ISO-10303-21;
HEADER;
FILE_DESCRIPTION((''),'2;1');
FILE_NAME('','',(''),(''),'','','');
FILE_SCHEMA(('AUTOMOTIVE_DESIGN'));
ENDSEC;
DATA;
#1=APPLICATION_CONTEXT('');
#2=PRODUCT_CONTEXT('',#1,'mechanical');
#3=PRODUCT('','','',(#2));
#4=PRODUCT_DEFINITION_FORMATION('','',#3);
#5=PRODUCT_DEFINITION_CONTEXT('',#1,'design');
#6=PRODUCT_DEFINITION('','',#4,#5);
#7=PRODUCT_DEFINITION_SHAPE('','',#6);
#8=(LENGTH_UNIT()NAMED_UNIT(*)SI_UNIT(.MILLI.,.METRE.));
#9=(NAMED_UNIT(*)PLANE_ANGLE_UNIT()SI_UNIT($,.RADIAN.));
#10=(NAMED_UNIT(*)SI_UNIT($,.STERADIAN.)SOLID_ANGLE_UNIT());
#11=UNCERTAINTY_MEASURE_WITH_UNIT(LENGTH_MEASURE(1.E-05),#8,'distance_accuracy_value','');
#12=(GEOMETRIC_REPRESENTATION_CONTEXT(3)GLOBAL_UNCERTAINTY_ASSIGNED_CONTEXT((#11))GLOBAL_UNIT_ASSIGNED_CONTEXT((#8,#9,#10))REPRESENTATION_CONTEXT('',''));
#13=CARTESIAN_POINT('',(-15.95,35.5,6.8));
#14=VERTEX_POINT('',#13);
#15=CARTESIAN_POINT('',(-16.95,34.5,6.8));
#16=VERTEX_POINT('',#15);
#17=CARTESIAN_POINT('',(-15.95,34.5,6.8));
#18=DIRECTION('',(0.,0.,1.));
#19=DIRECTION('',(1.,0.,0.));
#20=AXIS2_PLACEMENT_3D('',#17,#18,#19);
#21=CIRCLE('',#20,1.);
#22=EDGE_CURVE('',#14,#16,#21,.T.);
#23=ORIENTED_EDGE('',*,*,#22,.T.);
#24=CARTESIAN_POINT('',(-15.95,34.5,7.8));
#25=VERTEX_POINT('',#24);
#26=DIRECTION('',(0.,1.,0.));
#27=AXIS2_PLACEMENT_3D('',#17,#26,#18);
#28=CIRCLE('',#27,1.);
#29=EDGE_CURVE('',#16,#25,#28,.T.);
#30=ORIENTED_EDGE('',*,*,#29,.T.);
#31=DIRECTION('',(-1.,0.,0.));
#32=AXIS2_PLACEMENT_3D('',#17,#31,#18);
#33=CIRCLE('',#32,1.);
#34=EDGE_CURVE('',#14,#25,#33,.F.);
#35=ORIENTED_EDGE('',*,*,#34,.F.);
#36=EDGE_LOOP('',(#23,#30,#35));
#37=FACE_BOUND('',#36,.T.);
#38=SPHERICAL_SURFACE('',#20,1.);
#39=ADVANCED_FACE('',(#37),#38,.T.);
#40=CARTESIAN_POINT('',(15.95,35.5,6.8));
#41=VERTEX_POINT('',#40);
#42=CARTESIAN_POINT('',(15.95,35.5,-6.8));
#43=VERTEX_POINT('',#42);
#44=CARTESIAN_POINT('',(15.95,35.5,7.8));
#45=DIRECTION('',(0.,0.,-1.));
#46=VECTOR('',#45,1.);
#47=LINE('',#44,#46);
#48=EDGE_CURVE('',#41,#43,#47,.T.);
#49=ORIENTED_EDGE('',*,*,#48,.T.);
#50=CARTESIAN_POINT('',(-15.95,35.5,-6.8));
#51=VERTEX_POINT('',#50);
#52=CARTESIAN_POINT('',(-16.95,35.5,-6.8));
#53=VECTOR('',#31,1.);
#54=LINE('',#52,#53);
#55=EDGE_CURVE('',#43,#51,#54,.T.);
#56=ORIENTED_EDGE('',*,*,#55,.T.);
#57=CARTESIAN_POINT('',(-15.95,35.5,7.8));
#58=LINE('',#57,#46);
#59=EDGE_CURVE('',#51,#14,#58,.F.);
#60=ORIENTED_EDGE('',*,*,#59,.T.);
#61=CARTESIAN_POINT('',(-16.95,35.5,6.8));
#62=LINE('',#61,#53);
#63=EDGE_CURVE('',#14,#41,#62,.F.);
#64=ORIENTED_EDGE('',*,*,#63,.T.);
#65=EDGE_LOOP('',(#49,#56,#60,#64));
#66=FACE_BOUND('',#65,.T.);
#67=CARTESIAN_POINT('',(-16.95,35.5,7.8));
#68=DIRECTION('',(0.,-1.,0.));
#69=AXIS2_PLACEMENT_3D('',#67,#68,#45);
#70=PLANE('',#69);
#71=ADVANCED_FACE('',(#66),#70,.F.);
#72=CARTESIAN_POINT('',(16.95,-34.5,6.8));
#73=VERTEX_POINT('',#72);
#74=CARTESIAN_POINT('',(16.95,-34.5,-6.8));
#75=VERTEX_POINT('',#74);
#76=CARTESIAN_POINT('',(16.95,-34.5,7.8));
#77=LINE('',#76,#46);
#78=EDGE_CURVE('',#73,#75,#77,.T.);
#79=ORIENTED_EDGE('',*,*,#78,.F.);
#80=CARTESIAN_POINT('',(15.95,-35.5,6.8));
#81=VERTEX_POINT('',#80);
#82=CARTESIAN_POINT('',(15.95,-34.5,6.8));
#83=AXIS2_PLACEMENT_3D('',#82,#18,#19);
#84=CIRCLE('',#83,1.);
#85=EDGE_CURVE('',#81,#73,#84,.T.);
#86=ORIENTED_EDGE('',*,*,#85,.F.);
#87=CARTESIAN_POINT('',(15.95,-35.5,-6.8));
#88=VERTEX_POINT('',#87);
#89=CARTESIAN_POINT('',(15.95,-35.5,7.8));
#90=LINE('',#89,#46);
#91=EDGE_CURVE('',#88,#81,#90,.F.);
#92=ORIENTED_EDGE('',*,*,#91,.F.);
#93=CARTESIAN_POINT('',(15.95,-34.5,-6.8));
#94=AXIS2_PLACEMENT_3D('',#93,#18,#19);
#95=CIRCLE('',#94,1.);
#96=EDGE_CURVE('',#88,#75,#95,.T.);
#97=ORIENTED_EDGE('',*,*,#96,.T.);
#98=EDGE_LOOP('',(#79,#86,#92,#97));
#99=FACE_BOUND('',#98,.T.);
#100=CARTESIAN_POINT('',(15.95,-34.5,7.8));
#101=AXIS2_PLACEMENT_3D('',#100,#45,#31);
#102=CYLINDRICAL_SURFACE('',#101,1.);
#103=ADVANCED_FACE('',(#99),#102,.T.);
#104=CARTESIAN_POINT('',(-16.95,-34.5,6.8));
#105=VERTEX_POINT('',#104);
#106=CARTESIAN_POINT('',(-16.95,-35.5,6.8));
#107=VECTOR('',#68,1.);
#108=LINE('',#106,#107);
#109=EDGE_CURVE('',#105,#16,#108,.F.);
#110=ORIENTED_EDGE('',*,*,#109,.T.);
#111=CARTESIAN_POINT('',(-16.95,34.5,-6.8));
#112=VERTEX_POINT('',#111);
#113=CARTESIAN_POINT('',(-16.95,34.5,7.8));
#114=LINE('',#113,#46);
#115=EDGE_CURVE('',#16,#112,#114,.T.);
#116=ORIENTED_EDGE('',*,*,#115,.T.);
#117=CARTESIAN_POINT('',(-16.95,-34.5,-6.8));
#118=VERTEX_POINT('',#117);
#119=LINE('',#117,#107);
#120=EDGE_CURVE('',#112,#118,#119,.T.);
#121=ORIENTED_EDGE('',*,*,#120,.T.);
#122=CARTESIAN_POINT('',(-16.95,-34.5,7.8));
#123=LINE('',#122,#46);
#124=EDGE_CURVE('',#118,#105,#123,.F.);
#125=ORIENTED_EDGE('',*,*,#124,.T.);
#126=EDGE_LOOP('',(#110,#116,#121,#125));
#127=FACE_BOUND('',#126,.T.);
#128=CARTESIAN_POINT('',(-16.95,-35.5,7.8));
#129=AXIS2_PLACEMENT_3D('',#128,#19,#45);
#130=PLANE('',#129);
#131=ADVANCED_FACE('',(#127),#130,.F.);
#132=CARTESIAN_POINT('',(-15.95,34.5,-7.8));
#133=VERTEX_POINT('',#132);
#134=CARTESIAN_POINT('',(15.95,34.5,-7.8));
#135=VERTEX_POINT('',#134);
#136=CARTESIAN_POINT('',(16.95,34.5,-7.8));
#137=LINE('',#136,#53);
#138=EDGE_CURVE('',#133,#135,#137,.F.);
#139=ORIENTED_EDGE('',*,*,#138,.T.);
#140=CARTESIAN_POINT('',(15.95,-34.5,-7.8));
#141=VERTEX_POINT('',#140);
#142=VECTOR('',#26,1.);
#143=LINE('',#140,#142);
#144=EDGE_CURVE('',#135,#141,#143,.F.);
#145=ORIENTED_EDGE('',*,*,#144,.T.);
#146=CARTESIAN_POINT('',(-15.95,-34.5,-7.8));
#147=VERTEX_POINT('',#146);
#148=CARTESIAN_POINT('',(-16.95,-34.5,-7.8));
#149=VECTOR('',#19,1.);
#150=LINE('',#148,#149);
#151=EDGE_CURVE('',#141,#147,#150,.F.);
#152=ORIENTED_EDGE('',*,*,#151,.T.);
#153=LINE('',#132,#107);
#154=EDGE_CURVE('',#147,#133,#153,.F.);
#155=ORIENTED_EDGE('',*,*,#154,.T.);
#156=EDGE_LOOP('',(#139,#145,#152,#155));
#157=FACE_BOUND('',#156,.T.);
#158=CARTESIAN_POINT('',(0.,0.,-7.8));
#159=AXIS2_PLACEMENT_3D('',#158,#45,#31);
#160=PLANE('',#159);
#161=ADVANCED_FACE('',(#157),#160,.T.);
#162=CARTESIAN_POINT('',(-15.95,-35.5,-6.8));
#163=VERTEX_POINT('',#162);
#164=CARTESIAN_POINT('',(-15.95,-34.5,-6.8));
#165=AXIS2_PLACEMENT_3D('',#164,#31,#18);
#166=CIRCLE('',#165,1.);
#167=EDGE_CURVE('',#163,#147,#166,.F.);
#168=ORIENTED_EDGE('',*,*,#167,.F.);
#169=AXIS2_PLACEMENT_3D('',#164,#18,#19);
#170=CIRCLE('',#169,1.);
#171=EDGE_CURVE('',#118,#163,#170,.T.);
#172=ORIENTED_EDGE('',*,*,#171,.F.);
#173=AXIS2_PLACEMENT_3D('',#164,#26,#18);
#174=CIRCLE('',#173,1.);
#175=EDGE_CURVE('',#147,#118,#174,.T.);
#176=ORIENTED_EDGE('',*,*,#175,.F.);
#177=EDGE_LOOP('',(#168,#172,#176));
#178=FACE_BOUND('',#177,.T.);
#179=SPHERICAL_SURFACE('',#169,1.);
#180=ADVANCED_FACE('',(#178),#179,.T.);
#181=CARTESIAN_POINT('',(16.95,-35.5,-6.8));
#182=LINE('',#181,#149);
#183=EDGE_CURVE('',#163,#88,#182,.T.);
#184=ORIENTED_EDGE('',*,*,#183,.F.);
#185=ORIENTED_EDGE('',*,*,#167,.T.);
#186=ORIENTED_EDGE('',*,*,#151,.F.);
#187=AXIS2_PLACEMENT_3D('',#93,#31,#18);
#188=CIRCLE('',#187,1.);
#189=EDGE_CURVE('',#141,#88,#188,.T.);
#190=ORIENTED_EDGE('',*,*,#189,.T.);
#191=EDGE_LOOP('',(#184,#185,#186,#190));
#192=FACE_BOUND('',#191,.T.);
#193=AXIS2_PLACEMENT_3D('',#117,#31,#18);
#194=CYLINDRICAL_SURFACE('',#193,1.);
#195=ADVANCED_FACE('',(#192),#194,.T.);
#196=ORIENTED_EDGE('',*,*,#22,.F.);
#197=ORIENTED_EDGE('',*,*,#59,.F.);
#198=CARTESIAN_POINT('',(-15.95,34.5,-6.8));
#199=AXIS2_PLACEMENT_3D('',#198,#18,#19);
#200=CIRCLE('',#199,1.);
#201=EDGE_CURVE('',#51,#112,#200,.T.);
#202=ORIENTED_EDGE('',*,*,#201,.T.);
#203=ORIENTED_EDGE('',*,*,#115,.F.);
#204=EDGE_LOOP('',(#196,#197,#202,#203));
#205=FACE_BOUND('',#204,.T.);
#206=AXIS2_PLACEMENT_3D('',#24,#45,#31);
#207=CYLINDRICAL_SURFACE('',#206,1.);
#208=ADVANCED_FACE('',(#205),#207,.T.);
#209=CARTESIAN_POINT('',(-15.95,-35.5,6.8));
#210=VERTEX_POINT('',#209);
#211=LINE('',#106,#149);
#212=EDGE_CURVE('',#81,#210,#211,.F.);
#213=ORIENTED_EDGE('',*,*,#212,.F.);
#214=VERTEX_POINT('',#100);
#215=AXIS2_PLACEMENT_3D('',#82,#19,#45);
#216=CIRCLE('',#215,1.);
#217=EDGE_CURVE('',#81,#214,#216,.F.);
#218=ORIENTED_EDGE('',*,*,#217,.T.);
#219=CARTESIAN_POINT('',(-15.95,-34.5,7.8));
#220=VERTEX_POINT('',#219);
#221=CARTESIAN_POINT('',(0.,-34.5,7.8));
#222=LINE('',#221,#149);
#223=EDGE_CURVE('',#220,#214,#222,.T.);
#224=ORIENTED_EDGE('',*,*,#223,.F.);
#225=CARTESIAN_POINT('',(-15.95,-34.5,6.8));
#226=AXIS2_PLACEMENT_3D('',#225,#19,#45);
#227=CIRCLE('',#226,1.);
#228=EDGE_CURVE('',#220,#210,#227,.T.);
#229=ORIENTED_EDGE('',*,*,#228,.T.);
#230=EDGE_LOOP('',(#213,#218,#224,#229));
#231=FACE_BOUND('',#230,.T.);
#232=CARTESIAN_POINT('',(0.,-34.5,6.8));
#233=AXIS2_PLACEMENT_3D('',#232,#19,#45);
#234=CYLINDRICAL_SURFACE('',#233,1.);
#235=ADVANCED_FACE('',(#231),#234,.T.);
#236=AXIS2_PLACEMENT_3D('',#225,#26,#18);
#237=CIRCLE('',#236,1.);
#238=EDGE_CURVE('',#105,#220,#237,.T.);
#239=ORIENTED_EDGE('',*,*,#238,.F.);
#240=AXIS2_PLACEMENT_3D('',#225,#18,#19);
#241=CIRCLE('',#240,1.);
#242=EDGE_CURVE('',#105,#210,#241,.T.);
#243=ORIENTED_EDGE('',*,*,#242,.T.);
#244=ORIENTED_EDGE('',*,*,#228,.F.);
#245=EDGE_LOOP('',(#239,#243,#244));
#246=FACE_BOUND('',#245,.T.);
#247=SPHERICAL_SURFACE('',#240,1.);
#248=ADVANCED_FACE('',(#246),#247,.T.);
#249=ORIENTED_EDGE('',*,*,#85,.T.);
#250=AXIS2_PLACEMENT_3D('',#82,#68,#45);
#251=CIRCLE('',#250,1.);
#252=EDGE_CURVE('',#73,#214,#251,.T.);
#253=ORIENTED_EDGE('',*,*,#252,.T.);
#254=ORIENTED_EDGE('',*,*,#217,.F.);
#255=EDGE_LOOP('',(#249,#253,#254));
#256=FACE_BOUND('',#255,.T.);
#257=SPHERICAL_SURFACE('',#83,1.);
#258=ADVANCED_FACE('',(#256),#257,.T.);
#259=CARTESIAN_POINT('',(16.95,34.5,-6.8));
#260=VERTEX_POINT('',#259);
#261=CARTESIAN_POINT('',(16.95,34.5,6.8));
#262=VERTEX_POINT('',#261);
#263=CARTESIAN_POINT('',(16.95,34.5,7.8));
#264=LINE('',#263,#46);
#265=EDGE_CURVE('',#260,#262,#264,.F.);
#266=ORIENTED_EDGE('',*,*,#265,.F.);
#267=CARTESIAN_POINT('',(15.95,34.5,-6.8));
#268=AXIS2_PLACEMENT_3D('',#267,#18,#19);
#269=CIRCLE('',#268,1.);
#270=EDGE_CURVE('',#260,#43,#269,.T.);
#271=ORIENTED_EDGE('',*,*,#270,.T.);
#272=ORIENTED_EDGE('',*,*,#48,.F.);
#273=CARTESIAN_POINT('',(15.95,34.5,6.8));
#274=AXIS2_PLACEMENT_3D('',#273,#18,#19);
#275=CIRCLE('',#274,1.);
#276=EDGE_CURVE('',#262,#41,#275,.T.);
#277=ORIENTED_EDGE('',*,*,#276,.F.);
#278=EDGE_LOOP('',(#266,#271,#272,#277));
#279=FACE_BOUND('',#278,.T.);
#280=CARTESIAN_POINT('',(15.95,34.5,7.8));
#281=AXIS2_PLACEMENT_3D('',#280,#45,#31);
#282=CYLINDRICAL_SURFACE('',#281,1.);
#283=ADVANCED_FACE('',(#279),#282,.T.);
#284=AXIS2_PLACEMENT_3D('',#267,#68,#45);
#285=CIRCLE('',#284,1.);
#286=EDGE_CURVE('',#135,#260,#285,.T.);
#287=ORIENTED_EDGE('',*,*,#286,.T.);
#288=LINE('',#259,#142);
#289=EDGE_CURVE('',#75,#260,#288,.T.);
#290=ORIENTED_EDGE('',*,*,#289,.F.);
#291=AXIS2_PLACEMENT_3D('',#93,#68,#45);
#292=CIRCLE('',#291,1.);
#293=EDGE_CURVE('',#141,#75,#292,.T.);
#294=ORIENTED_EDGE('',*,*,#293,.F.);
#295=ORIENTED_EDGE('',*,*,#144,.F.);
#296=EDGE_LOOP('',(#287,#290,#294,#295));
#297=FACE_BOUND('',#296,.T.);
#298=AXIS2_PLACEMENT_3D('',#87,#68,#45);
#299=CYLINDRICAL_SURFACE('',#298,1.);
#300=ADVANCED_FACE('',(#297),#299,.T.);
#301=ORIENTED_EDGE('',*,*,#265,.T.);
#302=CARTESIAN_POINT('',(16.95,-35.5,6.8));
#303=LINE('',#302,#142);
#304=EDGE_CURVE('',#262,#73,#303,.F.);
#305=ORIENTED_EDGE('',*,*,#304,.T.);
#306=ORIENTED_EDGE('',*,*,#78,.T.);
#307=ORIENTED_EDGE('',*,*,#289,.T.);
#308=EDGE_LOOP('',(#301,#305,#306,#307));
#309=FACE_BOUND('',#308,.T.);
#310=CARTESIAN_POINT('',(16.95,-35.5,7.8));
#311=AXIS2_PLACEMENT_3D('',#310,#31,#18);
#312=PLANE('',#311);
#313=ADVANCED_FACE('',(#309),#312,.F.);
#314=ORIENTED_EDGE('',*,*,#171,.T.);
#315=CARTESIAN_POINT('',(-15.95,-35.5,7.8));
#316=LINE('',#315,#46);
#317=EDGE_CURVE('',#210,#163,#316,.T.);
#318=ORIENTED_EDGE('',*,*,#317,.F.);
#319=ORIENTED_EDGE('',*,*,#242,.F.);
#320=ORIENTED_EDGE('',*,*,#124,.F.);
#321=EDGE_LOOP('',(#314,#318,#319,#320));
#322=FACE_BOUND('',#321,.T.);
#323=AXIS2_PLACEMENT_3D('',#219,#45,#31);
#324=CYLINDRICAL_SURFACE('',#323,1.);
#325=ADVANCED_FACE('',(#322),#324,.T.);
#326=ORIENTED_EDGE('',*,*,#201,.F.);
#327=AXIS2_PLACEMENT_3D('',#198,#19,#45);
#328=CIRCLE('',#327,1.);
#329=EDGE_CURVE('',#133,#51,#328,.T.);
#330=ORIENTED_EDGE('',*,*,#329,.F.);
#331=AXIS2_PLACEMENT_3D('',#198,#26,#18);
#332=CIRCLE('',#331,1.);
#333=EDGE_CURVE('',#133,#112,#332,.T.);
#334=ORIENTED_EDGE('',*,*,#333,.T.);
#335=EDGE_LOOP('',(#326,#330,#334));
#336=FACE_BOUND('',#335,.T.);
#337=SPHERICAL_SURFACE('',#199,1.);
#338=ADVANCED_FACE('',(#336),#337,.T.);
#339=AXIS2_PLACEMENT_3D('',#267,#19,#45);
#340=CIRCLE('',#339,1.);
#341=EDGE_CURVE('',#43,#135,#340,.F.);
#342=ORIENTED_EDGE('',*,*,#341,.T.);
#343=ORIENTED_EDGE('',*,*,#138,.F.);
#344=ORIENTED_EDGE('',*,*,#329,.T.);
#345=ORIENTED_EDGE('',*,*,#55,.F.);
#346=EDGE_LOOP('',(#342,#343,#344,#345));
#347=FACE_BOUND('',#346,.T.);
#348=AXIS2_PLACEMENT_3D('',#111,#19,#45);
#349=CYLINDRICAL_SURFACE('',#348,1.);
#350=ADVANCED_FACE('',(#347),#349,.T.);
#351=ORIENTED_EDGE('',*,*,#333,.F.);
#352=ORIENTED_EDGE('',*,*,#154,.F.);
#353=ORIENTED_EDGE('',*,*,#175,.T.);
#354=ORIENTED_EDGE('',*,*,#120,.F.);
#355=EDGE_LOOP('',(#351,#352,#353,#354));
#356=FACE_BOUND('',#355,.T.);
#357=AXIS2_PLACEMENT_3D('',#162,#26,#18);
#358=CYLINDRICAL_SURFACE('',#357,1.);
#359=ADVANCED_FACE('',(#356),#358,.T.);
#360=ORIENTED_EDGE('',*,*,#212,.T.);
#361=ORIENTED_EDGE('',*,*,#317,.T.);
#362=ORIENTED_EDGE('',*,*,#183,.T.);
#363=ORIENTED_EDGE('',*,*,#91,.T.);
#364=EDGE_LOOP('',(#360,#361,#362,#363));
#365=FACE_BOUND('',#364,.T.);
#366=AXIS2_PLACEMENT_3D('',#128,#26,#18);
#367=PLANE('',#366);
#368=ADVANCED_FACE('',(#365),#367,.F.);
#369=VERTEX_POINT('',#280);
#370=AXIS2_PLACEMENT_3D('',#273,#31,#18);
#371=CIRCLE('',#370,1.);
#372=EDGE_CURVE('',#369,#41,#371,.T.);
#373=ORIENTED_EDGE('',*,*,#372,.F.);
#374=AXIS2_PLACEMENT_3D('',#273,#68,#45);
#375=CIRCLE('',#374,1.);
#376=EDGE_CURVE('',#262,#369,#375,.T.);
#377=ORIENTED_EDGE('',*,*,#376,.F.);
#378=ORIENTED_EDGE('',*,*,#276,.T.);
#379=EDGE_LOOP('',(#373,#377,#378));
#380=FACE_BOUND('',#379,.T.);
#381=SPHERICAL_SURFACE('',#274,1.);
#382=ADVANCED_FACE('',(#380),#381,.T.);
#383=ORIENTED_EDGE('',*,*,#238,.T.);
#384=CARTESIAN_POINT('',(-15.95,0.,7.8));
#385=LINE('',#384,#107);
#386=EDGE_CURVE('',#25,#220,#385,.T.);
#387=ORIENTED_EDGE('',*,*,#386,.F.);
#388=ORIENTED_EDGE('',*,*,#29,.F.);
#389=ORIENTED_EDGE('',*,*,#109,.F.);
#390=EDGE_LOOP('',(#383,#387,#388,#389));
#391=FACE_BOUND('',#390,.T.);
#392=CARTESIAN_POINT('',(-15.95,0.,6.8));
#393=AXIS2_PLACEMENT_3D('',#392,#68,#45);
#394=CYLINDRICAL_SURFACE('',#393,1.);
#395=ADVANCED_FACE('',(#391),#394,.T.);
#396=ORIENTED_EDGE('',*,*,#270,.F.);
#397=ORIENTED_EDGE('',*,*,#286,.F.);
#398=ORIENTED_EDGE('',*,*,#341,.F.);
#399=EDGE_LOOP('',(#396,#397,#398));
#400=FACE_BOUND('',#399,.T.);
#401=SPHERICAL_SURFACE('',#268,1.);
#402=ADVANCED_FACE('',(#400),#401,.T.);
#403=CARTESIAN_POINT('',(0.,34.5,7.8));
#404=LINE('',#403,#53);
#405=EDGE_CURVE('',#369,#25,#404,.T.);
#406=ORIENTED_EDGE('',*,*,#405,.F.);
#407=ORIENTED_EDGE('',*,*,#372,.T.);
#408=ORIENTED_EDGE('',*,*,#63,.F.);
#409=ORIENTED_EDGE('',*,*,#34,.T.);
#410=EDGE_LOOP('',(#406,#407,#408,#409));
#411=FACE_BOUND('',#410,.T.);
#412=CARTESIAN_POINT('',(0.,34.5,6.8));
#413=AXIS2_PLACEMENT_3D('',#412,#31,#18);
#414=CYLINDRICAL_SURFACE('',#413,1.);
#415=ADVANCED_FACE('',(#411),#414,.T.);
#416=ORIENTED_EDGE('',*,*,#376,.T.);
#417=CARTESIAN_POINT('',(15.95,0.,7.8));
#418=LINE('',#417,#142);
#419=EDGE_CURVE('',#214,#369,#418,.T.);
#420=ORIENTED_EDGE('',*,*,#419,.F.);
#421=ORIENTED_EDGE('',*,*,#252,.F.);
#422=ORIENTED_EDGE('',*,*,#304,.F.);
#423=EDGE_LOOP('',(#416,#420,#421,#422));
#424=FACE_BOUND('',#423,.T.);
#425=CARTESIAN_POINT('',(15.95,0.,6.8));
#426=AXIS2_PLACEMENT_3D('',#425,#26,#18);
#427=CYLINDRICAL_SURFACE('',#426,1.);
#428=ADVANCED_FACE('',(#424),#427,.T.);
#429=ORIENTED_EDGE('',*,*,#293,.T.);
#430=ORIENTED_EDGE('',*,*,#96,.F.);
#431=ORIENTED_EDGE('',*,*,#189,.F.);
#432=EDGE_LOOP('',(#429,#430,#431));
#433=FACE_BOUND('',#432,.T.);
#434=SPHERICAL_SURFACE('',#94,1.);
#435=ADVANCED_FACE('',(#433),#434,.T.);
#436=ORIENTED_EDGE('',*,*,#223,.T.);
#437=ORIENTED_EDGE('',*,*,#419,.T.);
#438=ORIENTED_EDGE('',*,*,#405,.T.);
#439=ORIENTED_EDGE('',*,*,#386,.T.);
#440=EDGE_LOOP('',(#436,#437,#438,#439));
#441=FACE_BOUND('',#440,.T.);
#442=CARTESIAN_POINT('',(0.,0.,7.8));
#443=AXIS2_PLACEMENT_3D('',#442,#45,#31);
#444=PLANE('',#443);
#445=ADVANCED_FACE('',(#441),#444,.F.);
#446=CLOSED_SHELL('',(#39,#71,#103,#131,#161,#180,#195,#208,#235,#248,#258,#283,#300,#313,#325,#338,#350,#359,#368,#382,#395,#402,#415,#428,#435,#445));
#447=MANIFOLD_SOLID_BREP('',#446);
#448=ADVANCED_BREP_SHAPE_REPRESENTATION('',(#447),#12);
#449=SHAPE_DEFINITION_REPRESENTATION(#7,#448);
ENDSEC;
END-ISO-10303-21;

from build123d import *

# Parameters (mm, degrees)
SKETCH1_W           = 33.9
SKETCH1_H           = 71
BOSS_EXTRUDE1_DEPTH = 7.8
FILLET1_R           = 1
FILLET2_R           = 1


with BuildPart() as part:
    # Sketch1 → Boss-Extrude1 (new body, symmetric)
    with BuildSketch(Plane.XY):
        Rectangle(SKETCH1_W, SKETCH1_H)
    extrude(amount=BOSS_EXTRUDE1_DEPTH, both=True)

    # Fillet1
    fillet1_edges = [part.edges().sort_by_distance(p)[0] for p in [
        (0, -35.5, 7.8),
        (0, -35.5, -7.8),
        (0, 35.5, -7.8),
        (0, 35.5, 7.8),
    ]]
    fillet(fillet1_edges, radius=FILLET1_R)

    # Fillet2
    fillet2_edges = [part.edges().sort_by_distance(p)[0] for p in [
        (16.95, -35.5, 0),
        (-16.95, -35.5, 0),
        (16.95, 0, -7.8),
        (16.95, 35.5, 0),
        (16.95, 0, 7.8),
        (16.95, 35.207106781, 7.507106781),
        (16.95, 35.207106781, -7.507106781),
        (16.95, -35.207106781, 7.507106781),
        (16.95, -35.207106781, -7.507106781),
        (-16.95, 0, -7.8),
        (-16.95, 0, 7.8),
        (-16.95, 35.5, 0),
        (-16.95, 35.207106781, 7.507106781),
        (-16.95, 35.207106781, -7.507106781),
        (-16.95, -35.207106781, 7.507106781),
        (-16.95, -35.207106781, -7.507106781),
    ]]
    fillet(fillet2_edges, radius=FILLET2_R)


solid = part.part
